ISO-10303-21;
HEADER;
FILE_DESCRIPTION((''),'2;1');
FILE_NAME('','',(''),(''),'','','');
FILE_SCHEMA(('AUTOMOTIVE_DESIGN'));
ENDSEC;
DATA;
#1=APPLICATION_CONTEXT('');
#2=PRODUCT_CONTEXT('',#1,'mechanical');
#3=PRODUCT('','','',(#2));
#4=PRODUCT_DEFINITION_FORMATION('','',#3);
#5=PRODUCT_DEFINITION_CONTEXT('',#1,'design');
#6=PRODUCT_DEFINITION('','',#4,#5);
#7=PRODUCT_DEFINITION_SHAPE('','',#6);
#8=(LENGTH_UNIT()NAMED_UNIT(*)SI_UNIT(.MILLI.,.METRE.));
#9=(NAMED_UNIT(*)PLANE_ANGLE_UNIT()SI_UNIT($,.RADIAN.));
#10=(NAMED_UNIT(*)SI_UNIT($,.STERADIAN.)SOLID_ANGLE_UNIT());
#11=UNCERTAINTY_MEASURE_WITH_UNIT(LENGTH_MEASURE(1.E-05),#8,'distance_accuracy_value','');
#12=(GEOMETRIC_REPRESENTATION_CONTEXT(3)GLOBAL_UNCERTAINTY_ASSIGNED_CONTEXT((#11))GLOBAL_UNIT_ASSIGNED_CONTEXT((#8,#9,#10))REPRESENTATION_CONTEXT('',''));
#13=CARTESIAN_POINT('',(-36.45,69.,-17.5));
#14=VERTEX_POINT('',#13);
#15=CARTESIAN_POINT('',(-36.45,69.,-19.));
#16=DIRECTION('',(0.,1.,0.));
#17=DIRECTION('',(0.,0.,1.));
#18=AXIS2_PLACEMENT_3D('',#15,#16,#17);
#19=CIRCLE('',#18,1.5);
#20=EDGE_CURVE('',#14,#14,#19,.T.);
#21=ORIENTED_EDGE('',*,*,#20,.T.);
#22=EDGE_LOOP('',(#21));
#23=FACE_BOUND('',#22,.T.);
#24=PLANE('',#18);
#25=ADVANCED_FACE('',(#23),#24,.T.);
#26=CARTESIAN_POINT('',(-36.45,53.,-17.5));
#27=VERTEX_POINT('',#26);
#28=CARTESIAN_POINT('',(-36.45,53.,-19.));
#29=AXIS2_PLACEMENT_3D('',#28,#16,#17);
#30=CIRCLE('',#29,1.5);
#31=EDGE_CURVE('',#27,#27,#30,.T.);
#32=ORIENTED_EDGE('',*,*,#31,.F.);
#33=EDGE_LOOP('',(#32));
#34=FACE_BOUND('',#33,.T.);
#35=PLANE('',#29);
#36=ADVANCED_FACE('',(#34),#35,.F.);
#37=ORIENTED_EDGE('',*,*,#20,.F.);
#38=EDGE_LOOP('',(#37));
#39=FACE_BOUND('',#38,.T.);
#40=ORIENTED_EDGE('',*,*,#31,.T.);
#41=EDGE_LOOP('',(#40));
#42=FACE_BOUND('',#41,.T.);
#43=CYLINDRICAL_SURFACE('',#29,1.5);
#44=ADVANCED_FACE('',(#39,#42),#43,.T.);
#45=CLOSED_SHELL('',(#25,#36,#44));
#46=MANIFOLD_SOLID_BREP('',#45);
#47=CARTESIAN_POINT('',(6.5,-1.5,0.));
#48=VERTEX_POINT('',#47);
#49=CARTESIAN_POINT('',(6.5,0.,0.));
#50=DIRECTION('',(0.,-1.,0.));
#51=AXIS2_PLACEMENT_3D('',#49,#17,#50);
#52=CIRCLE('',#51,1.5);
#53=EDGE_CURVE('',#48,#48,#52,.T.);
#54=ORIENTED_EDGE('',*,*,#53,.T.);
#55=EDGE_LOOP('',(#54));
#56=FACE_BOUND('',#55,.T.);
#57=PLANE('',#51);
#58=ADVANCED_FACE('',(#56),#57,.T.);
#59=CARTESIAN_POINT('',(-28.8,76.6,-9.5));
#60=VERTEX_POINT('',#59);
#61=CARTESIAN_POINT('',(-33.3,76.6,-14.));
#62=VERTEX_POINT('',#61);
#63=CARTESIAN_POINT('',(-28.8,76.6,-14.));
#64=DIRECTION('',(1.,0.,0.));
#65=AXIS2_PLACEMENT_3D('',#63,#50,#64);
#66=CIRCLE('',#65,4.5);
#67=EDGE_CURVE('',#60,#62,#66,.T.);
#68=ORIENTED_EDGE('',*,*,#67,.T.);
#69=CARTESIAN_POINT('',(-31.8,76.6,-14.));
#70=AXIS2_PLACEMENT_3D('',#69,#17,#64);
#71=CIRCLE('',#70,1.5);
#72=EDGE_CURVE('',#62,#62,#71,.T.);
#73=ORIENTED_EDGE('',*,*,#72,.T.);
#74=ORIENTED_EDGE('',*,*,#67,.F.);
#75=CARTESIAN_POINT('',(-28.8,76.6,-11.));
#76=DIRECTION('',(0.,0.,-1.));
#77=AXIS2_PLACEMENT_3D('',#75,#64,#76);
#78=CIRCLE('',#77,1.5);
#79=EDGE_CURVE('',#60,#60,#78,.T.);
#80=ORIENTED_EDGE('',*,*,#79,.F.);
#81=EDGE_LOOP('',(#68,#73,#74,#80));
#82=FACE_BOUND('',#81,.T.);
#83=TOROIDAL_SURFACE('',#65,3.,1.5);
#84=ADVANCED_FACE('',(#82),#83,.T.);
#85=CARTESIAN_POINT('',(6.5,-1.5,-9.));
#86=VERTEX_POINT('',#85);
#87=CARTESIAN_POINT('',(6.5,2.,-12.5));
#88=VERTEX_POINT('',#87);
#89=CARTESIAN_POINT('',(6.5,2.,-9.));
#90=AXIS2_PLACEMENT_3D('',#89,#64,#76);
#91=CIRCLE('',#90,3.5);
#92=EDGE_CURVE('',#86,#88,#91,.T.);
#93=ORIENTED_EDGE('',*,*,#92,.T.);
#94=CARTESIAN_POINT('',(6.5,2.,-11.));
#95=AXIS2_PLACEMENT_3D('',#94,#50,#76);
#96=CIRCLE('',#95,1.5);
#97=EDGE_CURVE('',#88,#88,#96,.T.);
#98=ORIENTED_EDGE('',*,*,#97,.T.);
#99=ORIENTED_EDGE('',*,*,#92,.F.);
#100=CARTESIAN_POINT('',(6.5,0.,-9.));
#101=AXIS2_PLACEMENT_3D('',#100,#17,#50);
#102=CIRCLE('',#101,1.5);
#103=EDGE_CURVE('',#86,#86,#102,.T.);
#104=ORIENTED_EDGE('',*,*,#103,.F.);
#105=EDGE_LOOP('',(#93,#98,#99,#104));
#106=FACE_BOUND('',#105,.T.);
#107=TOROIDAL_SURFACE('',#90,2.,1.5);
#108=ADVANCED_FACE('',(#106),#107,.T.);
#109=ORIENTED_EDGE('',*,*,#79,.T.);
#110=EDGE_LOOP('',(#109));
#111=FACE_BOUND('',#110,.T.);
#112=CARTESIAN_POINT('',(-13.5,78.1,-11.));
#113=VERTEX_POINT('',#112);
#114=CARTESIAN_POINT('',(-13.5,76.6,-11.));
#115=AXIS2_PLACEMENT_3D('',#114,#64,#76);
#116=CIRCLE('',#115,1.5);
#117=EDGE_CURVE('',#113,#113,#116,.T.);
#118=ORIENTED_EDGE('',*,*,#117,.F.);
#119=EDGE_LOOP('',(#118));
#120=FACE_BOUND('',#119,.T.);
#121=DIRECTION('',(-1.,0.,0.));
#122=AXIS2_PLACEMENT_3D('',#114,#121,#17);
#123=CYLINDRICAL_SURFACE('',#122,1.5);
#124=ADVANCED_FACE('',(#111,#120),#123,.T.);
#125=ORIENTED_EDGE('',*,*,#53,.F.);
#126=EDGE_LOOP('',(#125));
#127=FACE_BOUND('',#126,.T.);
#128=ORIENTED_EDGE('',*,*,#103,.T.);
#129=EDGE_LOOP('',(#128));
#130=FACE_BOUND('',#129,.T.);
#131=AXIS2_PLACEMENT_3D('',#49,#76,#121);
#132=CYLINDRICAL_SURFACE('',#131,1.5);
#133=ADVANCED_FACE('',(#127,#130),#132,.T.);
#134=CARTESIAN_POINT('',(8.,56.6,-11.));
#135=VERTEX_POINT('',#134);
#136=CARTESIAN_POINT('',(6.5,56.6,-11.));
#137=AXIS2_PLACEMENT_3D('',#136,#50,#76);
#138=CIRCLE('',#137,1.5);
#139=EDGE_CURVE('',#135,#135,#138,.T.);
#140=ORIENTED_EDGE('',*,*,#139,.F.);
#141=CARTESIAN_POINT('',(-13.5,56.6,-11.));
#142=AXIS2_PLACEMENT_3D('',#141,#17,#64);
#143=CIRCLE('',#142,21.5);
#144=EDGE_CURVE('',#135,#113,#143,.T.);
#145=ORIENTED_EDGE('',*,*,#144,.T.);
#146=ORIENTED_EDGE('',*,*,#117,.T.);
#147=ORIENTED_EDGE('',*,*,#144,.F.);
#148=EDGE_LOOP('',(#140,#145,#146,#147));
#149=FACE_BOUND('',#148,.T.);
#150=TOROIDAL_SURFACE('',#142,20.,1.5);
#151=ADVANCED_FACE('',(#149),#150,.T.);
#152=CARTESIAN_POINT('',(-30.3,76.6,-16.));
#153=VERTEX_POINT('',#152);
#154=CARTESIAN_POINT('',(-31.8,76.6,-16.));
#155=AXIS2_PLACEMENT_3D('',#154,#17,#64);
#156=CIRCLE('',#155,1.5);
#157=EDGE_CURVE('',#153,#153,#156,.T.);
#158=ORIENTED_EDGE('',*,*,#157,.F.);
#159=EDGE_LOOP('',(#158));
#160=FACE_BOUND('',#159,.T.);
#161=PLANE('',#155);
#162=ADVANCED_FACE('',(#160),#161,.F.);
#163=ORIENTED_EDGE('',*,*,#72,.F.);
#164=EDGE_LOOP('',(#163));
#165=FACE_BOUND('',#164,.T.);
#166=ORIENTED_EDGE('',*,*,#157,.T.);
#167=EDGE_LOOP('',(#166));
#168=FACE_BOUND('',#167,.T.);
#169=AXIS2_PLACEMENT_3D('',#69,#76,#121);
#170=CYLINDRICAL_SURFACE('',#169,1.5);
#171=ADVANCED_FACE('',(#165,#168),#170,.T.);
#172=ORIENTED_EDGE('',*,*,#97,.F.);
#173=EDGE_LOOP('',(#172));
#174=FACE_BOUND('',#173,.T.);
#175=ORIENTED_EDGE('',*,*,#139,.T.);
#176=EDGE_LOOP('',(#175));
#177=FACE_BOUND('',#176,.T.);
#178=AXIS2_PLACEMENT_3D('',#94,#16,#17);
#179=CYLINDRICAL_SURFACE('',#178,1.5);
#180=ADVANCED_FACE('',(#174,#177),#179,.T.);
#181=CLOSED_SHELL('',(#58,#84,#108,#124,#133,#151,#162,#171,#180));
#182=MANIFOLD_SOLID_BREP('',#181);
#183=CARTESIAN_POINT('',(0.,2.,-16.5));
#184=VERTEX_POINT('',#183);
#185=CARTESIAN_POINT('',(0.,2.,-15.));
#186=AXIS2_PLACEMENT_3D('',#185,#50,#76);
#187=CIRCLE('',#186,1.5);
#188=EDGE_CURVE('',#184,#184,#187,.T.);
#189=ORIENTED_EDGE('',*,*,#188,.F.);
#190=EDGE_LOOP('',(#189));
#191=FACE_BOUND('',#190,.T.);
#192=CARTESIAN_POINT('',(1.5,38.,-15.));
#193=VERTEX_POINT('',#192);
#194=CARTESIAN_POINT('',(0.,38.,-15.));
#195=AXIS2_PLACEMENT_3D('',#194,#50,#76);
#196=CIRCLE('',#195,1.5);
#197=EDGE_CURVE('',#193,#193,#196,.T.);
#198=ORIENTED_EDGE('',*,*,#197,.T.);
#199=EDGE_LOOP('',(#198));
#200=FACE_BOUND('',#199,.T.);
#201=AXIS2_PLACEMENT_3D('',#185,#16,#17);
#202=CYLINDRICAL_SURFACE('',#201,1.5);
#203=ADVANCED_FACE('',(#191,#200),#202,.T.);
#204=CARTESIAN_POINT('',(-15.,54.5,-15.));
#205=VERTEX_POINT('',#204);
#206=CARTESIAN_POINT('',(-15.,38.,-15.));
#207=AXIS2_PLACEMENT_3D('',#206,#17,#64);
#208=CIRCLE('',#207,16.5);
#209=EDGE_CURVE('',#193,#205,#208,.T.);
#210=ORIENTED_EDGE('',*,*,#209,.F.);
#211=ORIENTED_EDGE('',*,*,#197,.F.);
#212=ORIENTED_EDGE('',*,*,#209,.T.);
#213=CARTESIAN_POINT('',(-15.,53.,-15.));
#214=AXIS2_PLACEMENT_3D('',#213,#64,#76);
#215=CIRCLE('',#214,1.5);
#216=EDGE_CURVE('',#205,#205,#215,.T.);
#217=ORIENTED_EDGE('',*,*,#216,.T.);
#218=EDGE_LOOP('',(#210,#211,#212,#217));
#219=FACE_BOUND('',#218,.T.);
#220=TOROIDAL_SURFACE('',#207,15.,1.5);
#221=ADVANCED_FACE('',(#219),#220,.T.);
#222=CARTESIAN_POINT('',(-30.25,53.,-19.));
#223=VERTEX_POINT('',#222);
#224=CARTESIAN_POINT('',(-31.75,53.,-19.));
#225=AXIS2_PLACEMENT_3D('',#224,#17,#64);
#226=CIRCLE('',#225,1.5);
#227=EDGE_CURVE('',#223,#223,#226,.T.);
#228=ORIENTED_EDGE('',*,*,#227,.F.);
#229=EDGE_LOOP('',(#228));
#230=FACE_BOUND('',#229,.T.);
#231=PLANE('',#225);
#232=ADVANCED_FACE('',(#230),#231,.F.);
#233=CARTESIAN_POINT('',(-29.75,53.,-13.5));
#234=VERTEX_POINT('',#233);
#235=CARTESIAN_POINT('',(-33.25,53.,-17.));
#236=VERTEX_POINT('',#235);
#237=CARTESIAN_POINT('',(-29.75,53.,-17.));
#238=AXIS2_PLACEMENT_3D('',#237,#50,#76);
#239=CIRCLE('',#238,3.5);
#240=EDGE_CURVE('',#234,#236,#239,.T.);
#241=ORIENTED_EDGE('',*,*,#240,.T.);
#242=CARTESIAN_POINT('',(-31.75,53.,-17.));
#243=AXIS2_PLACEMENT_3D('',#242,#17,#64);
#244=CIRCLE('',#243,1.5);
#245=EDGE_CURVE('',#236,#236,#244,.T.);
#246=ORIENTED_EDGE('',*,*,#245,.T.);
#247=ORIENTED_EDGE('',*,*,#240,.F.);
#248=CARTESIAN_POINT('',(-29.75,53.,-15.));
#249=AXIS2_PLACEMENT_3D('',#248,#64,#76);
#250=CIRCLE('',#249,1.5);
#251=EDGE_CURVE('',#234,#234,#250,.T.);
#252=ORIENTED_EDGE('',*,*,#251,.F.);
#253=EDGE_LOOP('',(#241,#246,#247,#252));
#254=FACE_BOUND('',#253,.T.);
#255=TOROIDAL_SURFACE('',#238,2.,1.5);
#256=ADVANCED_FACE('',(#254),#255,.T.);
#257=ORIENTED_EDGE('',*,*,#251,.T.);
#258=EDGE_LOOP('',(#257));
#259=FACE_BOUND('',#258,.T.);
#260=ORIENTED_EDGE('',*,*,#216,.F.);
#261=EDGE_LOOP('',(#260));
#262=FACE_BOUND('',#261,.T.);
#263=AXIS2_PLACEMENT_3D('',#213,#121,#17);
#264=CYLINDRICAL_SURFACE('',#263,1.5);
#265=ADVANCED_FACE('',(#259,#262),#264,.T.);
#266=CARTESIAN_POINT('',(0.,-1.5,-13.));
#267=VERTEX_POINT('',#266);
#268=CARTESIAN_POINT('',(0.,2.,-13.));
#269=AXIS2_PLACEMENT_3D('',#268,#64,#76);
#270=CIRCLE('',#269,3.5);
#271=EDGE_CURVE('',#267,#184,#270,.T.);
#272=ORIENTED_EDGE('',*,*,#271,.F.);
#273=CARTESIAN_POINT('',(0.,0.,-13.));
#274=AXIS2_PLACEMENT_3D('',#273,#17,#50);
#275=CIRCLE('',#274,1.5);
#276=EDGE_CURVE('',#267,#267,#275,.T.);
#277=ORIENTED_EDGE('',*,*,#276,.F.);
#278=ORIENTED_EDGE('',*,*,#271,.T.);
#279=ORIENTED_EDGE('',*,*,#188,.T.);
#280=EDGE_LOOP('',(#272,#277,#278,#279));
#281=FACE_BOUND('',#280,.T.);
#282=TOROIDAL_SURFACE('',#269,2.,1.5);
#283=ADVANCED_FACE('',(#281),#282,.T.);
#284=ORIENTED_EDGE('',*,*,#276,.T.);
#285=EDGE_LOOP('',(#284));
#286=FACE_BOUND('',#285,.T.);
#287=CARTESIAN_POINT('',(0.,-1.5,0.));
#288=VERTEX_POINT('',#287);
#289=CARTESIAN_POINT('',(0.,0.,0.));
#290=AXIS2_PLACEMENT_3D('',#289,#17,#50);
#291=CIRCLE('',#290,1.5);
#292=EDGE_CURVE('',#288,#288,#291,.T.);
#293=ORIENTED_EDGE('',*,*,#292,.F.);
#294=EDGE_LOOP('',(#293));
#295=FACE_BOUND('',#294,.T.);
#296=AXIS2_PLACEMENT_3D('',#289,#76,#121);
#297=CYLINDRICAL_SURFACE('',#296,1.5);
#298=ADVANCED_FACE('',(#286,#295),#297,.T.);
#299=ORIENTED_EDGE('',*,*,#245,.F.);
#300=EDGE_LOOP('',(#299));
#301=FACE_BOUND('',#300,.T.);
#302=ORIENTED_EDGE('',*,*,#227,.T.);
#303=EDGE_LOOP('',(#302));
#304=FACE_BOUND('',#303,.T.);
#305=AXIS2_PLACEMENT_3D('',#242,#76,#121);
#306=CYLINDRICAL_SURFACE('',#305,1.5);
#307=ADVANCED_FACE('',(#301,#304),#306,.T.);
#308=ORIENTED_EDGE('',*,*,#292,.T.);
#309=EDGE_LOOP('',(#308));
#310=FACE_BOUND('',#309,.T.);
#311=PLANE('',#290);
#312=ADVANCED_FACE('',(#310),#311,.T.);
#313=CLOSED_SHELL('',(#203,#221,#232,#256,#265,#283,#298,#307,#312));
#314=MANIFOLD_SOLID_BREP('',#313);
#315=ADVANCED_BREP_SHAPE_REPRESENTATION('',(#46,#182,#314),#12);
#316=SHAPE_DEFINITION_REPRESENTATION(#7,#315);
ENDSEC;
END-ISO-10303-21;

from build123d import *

# Parameters (mm, degrees)
SWEEP1_PROFILE_R = 1.5
SWEEP2_PROFILE_R = 1.5
SWEEP3_PROFILE_R = 1.5


with BuildPart() as part:
    # Sweep1: sweep along a curve in space
    with BuildLine() as sweep1_path:
        Line((0, 0, 0), (0, 0, -13))
        ThreePointArc((0, 0, -13), (0, 0.585786438, -14.414213562), (0, 2, -15))
        Line((0, 2, -15), (0, 38, -15))
        ThreePointArc((-15, 53, -15), (-4.393398282, 48.606601718, -15), (0, 38, -15))
        Line((-15, 53, -15), (-29.75, 53, -15))
        ThreePointArc((-29.75, 53, -15), (-31.164213562, 53, -15.585786438), (-31.75, 53, -17))
        Line((-31.75, 53, -17), (-31.75, 53, -19))
    # Sweep1 profile (on start of the path) → Sweep1 (sweep)
    with BuildSketch(Plane(origin=(0, 0, 0), x_dir=(-1, 0, 0), z_dir=(0, 0, -1))):
        Circle(SWEEP1_PROFILE_R)
    sweep(path=sweep1_path.line)


with BuildPart() as body_2:
    # Sweep2: sweep along a curve in space
    with BuildLine() as sweep2_path:
        Line((-36.45, 53, -19), (-36.45, 69, -19))
    # Sweep2 profile (on start of the path) → Sweep2 (sweep)
    with BuildSketch(Plane(origin=(-36.45, 53, -19), x_dir=(0, 0, 1), z_dir=(0, 1, 0))):
        Circle(SWEEP2_PROFILE_R)
    sweep(path=sweep2_path.line)


with BuildPart() as body_3:
    # Sweep3: sweep along a curve in space
    with BuildLine() as sweep3_path:
        Line((6.5, 0, 0), (6.5, 0, -9))
        ThreePointArc((6.5, 0, -9), (6.5, 0.585786438, -10.414213562), (6.5, 2, -11))
        Line((6.5, 2, -11), (6.5, 56.6, -11))
        ThreePointArc((6.5, 56.6, -11), (0.642135624, 70.742135624, -11), (-13.5, 76.6, -11))
        Line((-13.5, 76.6, -11), (-28.8, 76.6, -11))
        ThreePointArc((-28.8, 76.6, -11), (-30.921320344, 76.6, -11.878679656), (-31.8, 76.6, -14))
        Line((-31.8, 76.6, -14), (-31.8, 76.6, -16))
    # Sweep3 profile (on start of the path) → Sweep3 (sweep)
    with BuildSketch(Plane(origin=(6.5, 0, 0), x_dir=(-1, 0, 0), z_dir=(0, 0, -1))):
        Circle(SWEEP3_PROFILE_R)
    sweep(path=sweep3_path.line)


solid = Compound([part.part, body_2.part, body_3.part])
